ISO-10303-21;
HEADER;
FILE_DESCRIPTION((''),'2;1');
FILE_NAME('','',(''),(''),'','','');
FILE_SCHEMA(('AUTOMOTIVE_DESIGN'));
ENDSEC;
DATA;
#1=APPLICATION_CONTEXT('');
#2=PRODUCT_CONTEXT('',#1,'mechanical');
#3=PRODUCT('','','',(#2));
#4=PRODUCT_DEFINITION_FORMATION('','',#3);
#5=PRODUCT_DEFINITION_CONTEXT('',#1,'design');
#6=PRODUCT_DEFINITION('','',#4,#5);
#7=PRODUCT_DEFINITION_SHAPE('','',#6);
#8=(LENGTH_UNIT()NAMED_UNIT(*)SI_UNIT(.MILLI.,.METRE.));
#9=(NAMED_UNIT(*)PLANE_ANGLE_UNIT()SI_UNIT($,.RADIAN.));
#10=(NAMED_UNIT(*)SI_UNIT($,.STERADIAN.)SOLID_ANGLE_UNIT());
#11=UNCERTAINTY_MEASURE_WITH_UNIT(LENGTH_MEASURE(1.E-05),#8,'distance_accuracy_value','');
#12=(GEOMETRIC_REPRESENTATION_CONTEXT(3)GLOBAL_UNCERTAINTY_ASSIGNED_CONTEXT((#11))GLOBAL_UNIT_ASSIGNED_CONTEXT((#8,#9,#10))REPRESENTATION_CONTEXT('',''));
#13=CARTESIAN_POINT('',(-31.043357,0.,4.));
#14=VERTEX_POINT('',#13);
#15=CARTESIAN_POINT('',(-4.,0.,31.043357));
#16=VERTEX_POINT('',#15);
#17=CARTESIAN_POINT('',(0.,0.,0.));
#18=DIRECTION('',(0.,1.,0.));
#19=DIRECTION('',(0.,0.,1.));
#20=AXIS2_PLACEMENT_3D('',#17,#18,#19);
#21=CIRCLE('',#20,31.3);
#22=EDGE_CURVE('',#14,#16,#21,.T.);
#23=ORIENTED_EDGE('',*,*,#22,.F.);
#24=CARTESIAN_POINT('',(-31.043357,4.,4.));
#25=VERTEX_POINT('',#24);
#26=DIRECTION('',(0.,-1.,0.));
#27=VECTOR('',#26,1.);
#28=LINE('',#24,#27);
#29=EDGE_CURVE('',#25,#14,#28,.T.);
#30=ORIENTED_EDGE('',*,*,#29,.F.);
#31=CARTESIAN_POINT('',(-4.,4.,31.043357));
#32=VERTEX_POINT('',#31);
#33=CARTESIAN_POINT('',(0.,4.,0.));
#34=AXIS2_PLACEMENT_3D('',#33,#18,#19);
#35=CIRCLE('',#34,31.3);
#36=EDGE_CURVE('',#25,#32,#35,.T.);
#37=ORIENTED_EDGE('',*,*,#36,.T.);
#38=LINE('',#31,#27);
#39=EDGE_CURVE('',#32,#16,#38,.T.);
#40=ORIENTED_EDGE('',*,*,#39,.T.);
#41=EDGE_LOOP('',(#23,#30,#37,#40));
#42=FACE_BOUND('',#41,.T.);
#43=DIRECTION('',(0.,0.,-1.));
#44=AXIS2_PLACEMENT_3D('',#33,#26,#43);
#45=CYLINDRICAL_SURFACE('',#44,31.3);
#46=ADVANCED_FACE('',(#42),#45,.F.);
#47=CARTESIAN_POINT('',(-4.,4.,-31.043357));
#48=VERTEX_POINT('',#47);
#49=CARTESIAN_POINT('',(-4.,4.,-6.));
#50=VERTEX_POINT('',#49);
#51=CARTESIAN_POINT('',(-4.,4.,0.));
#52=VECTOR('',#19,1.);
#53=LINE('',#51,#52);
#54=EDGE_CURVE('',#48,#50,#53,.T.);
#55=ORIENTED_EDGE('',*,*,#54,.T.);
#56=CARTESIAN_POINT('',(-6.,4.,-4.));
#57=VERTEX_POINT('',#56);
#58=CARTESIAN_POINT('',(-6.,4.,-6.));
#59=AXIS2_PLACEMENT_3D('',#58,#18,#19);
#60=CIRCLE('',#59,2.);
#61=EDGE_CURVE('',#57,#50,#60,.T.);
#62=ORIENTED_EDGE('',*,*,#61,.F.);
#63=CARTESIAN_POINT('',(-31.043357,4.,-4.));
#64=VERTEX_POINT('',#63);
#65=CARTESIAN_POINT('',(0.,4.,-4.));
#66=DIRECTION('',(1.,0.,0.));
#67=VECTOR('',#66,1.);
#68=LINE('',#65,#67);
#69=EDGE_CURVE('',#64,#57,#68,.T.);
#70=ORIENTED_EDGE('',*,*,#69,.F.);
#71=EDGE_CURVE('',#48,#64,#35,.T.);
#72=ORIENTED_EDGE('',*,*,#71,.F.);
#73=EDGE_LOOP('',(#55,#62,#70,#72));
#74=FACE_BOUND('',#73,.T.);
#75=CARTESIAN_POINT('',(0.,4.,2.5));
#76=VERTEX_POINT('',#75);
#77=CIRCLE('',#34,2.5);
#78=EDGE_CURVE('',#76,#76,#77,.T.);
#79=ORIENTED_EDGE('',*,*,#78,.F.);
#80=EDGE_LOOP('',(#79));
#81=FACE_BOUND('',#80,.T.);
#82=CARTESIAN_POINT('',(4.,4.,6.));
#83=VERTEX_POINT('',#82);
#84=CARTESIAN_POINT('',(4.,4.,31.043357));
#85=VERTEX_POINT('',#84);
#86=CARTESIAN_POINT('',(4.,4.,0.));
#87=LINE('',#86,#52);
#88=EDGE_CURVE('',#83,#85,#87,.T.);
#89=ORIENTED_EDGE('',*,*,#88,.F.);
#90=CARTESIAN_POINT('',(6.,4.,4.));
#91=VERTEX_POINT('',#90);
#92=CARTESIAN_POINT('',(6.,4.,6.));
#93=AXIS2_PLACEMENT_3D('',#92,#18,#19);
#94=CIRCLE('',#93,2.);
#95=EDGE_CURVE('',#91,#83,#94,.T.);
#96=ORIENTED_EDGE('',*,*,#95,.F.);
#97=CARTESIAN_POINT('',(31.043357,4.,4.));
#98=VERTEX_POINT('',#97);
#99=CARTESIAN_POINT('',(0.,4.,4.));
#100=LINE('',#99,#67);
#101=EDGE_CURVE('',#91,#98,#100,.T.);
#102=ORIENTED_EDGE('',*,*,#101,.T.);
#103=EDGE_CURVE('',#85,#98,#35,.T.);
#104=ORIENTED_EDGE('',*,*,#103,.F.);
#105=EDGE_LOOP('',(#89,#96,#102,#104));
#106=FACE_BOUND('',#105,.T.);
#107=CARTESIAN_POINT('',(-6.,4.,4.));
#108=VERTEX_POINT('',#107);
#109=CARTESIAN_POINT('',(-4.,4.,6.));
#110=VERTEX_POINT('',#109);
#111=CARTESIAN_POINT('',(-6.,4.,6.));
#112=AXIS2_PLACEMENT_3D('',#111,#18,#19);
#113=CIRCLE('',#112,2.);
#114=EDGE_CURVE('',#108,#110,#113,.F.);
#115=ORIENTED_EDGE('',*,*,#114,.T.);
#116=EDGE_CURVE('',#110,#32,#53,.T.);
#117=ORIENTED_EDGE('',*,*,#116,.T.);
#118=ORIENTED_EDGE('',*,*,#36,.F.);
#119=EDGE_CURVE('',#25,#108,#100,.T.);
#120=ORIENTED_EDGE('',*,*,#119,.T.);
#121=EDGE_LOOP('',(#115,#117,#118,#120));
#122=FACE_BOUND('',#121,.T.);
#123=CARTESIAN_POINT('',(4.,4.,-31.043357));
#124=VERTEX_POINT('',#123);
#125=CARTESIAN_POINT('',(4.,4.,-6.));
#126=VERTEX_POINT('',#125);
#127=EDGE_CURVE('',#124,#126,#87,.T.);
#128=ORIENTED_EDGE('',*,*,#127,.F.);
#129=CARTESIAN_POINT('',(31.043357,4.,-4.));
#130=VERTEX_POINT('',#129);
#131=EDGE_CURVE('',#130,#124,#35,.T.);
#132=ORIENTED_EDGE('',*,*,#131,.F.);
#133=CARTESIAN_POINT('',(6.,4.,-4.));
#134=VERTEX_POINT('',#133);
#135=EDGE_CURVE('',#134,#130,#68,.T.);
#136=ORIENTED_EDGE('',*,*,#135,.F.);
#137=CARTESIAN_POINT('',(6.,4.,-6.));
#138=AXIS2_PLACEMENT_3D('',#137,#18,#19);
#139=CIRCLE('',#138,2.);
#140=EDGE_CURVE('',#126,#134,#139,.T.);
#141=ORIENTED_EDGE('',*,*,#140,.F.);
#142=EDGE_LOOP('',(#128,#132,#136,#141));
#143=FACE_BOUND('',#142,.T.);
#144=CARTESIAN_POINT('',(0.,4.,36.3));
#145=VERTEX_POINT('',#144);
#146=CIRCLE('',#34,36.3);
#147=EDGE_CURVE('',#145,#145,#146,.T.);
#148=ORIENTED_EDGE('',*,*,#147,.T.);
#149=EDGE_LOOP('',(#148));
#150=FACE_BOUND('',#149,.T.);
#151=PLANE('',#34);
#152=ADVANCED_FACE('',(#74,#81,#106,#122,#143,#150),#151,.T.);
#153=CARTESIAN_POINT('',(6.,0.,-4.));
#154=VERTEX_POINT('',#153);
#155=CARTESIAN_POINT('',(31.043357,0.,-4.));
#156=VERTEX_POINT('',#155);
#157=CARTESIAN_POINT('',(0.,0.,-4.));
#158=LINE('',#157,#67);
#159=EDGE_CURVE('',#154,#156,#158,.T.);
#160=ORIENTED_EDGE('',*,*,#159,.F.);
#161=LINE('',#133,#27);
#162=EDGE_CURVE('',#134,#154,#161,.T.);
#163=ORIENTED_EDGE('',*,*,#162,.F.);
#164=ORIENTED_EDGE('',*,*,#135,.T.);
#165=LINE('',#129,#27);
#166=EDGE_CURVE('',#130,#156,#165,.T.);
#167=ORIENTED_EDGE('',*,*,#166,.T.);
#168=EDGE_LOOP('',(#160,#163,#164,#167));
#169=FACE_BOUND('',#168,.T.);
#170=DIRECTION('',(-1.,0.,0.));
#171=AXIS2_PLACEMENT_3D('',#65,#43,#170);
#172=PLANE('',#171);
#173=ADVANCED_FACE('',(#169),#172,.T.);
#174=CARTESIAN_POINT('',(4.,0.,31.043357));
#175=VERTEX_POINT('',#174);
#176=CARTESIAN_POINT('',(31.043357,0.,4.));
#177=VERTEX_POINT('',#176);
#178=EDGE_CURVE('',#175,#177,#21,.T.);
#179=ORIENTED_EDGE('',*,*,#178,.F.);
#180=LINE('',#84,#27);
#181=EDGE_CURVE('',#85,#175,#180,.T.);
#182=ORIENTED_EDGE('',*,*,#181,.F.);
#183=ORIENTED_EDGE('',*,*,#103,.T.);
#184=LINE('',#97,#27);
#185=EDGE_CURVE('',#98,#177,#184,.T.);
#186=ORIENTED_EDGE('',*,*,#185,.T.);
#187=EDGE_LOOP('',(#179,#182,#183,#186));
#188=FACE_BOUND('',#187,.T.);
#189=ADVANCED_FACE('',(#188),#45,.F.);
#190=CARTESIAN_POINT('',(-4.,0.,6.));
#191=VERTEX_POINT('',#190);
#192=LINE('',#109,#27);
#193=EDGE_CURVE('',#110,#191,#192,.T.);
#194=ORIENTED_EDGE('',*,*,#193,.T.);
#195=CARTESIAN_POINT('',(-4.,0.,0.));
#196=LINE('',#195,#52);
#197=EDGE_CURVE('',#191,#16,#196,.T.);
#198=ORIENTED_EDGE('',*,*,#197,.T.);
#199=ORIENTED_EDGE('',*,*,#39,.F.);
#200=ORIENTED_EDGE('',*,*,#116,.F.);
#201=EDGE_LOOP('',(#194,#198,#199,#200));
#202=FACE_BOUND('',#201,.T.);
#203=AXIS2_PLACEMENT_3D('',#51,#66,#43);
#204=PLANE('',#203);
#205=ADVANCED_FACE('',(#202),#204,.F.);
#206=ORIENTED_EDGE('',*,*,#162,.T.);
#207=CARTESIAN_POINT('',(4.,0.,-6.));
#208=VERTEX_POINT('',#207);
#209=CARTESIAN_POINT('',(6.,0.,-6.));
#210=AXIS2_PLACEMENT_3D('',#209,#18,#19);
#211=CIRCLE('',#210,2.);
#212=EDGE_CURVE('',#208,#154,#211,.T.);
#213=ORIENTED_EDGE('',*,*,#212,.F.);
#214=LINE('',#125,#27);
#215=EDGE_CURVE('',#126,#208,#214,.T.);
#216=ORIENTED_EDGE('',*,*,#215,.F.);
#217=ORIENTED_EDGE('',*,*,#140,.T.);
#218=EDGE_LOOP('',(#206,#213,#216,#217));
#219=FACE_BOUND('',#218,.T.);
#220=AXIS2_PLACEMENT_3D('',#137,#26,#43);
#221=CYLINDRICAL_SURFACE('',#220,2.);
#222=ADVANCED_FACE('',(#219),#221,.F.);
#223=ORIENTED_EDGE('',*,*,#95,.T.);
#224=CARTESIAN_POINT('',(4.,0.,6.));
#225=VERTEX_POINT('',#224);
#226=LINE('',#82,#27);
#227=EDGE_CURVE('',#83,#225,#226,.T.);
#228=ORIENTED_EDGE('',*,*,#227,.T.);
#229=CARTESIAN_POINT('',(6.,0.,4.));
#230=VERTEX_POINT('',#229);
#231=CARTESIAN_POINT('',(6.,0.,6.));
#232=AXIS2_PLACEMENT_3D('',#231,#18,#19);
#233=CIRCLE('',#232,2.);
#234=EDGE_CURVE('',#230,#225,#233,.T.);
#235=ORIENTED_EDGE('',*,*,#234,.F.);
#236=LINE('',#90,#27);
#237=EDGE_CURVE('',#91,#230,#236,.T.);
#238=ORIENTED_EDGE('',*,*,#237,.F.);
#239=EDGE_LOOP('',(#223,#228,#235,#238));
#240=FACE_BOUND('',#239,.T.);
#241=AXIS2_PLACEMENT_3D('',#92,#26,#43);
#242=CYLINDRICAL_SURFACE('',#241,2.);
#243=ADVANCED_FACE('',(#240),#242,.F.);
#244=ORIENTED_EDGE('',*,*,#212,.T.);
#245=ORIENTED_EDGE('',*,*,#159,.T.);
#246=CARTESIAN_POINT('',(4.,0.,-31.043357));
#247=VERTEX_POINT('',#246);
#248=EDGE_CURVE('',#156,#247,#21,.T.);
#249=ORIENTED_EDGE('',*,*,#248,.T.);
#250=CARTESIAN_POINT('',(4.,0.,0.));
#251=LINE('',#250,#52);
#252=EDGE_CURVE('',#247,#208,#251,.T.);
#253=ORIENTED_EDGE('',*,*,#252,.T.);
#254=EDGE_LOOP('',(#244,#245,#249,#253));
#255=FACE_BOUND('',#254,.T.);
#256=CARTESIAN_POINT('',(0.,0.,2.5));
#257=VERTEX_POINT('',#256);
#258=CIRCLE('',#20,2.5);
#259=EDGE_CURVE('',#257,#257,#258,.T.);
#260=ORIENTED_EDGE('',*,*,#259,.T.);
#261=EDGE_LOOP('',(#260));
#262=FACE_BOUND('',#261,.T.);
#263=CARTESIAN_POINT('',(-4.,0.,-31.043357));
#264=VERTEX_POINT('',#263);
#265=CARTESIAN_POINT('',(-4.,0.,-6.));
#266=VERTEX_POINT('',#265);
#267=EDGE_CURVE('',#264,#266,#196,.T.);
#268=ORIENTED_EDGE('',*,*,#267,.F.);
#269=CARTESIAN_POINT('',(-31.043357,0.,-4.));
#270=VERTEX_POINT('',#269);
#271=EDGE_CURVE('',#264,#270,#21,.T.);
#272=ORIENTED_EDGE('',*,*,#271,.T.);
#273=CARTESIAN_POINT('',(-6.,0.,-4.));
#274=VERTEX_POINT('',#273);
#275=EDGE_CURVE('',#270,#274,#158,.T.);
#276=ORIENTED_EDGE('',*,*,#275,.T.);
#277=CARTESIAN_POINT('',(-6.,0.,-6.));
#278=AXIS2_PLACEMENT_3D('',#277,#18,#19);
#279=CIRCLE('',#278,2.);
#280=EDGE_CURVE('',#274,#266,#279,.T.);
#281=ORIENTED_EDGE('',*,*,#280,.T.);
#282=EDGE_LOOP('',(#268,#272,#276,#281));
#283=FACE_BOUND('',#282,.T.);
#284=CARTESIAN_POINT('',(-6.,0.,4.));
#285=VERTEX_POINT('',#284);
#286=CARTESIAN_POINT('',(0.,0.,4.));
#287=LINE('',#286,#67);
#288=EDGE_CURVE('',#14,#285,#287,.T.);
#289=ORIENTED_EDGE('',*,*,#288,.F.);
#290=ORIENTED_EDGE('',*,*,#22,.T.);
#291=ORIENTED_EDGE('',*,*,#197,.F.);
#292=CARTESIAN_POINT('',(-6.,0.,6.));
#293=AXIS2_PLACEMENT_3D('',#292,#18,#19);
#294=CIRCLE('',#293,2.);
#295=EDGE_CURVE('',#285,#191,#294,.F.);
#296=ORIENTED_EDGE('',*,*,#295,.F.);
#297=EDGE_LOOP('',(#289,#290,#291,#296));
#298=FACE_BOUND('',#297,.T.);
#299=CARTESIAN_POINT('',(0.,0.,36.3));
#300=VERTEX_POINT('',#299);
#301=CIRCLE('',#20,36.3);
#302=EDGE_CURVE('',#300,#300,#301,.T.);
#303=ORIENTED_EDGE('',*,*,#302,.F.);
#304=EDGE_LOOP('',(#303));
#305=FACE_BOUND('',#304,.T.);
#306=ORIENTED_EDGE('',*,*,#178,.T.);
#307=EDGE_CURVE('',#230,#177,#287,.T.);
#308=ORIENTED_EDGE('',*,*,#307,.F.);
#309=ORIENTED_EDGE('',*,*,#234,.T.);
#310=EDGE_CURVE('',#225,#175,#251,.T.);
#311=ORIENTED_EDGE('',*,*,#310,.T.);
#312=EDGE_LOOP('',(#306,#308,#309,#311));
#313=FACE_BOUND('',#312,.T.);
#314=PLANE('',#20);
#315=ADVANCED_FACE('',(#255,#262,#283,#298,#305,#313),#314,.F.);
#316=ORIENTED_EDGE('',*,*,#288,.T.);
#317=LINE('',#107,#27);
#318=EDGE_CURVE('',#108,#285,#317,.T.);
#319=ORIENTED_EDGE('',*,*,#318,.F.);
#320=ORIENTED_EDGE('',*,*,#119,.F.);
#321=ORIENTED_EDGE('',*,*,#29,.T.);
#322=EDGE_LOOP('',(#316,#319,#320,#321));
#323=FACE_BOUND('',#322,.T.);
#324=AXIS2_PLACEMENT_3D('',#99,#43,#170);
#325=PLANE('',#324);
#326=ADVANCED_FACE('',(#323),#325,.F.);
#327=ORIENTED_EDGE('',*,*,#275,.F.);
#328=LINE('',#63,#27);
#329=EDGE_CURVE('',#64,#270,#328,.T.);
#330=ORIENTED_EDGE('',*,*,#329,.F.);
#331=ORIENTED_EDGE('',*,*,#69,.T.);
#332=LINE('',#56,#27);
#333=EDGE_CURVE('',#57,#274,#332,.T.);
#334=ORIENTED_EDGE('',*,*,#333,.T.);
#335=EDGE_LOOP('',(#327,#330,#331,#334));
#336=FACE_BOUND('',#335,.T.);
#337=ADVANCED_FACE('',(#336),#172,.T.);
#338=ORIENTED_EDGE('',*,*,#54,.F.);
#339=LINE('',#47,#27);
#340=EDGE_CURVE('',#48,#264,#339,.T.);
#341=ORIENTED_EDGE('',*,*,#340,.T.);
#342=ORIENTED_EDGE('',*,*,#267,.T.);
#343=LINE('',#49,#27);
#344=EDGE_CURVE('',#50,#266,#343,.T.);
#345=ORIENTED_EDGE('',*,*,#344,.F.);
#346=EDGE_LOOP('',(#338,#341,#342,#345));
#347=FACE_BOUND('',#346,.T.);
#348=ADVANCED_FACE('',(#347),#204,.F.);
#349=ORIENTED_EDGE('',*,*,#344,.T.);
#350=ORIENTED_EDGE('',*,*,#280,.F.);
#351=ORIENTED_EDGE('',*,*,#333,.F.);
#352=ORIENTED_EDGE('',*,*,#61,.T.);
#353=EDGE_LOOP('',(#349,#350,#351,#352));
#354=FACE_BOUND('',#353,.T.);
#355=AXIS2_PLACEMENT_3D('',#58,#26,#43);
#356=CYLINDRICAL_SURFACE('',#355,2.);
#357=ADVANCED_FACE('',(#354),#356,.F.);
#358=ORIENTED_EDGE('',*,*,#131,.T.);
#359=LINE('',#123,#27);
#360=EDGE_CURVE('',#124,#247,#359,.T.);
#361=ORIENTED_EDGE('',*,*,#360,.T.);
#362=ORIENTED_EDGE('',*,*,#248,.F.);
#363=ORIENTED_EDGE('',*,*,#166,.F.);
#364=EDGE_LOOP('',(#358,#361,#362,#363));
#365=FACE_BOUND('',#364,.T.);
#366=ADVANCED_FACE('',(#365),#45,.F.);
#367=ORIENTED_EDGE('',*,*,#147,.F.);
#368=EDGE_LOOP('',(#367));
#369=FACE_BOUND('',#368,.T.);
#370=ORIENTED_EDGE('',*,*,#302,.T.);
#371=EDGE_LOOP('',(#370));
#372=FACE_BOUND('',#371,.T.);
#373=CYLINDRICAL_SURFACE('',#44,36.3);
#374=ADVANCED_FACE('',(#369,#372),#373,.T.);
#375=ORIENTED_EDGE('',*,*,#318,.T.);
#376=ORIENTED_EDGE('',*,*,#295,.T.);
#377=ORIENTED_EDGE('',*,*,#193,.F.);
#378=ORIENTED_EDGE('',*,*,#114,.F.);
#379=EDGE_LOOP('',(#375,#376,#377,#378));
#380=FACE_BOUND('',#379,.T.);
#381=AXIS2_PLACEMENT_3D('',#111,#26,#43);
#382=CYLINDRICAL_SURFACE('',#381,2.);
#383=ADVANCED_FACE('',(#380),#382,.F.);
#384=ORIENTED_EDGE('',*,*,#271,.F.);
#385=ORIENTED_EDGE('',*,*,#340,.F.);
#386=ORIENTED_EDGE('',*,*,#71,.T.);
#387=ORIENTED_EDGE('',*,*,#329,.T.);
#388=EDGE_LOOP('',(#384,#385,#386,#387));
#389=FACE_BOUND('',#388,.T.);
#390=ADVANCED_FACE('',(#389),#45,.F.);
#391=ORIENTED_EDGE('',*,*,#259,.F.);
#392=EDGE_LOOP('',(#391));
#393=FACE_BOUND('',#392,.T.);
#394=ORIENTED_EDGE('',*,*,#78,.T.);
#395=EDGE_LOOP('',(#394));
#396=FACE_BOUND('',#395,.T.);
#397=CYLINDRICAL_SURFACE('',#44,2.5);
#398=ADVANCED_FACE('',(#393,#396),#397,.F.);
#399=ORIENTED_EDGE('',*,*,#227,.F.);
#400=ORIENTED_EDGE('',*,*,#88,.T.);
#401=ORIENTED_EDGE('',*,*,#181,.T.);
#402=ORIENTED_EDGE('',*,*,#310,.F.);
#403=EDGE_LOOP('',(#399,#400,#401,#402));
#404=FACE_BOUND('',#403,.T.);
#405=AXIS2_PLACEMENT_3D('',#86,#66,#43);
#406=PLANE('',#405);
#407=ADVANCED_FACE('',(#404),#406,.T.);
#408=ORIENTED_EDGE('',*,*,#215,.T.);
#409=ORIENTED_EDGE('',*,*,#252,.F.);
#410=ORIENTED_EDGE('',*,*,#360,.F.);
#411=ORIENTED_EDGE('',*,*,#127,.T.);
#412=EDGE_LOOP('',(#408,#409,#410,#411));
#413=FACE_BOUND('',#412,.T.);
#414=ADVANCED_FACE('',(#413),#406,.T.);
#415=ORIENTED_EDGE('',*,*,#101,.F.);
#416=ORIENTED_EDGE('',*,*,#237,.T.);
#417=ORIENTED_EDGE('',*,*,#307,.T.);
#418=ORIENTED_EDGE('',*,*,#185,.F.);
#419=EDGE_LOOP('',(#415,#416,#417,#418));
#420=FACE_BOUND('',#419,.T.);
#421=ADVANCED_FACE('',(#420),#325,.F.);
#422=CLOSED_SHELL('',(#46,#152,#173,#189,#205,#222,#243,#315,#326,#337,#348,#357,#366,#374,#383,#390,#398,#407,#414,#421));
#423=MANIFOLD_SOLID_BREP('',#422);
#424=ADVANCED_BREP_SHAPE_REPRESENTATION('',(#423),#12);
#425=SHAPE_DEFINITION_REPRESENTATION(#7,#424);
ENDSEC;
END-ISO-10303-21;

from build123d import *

# Parameters (mm, degrees)
SKETCH1_R           = 36.3
SKETCH1_R_2         = 2.5
BOSS_EXTRUDE1_DEPTH = 4


with BuildPart() as part:
    # Sketch1 → Boss-Extrude1 (new body)
    with BuildSketch(Plane(origin=(0, 0, 0), x_dir=(1, 0, 0), z_dir=(0, 1, 0))):
        with Locations(Location((0, 0, 0), (0, 0, 270))):
            Circle(SKETCH1_R)
        with Locations(Location((0, 0, 0), (0, 0, 270))):
            Circle(SKETCH1_R_2, mode=Mode.SUBTRACT)
        with BuildLine():
            ThreePointArc((4, -31.043356777), (22.132442251, -22.132442251), (31.043356777, -4))
            Line((31.043356777, -4), (6, -4))
            ThreePointArc((6, -4), (4.585786438, -4.585786438), (4, -6))
            Line((4, -6), (4, -31.043356777))
        make_face(mode=Mode.SUBTRACT)
        with BuildLine():
            ThreePointArc((31.043356777, 4), (22.132442251, 22.132442251), (4, 31.043356777))
            Line((4, 31.043356777), (4, 6))
            ThreePointArc((4, 6), (4.585786438, 4.585786438), (6, 4))
            Line((6, 4), (31.043356777, 4))
        make_face(mode=Mode.SUBTRACT)
        with BuildLine():
            ThreePointArc((-4, 31.043356777), (-22.132442251, 22.132442251), (-31.043356777, 4))
            Line((-31.043356777, 4), (-6, 4))
            ThreePointArc((-6, 4), (-4.585786438, 4.585786438), (-4, 6))
            Line((-4, 6), (-4, 31.043356777))
        make_face(mode=Mode.SUBTRACT)
        with BuildLine():
            Line((-31.043356777, -4), (-6, -4))
            ThreePointArc((-6, -4), (-4.585786438, -4.585786438), (-4, -6))
            Line((-4, -6), (-4, -31.043356777))
            ThreePointArc((-4, -31.043356777), (-22.132442251, -22.132442251), (-31.043356777, -4))
        make_face(mode=Mode.SUBTRACT)
    extrude(amount=BOSS_EXTRUDE1_DEPTH)


solid = part.part
